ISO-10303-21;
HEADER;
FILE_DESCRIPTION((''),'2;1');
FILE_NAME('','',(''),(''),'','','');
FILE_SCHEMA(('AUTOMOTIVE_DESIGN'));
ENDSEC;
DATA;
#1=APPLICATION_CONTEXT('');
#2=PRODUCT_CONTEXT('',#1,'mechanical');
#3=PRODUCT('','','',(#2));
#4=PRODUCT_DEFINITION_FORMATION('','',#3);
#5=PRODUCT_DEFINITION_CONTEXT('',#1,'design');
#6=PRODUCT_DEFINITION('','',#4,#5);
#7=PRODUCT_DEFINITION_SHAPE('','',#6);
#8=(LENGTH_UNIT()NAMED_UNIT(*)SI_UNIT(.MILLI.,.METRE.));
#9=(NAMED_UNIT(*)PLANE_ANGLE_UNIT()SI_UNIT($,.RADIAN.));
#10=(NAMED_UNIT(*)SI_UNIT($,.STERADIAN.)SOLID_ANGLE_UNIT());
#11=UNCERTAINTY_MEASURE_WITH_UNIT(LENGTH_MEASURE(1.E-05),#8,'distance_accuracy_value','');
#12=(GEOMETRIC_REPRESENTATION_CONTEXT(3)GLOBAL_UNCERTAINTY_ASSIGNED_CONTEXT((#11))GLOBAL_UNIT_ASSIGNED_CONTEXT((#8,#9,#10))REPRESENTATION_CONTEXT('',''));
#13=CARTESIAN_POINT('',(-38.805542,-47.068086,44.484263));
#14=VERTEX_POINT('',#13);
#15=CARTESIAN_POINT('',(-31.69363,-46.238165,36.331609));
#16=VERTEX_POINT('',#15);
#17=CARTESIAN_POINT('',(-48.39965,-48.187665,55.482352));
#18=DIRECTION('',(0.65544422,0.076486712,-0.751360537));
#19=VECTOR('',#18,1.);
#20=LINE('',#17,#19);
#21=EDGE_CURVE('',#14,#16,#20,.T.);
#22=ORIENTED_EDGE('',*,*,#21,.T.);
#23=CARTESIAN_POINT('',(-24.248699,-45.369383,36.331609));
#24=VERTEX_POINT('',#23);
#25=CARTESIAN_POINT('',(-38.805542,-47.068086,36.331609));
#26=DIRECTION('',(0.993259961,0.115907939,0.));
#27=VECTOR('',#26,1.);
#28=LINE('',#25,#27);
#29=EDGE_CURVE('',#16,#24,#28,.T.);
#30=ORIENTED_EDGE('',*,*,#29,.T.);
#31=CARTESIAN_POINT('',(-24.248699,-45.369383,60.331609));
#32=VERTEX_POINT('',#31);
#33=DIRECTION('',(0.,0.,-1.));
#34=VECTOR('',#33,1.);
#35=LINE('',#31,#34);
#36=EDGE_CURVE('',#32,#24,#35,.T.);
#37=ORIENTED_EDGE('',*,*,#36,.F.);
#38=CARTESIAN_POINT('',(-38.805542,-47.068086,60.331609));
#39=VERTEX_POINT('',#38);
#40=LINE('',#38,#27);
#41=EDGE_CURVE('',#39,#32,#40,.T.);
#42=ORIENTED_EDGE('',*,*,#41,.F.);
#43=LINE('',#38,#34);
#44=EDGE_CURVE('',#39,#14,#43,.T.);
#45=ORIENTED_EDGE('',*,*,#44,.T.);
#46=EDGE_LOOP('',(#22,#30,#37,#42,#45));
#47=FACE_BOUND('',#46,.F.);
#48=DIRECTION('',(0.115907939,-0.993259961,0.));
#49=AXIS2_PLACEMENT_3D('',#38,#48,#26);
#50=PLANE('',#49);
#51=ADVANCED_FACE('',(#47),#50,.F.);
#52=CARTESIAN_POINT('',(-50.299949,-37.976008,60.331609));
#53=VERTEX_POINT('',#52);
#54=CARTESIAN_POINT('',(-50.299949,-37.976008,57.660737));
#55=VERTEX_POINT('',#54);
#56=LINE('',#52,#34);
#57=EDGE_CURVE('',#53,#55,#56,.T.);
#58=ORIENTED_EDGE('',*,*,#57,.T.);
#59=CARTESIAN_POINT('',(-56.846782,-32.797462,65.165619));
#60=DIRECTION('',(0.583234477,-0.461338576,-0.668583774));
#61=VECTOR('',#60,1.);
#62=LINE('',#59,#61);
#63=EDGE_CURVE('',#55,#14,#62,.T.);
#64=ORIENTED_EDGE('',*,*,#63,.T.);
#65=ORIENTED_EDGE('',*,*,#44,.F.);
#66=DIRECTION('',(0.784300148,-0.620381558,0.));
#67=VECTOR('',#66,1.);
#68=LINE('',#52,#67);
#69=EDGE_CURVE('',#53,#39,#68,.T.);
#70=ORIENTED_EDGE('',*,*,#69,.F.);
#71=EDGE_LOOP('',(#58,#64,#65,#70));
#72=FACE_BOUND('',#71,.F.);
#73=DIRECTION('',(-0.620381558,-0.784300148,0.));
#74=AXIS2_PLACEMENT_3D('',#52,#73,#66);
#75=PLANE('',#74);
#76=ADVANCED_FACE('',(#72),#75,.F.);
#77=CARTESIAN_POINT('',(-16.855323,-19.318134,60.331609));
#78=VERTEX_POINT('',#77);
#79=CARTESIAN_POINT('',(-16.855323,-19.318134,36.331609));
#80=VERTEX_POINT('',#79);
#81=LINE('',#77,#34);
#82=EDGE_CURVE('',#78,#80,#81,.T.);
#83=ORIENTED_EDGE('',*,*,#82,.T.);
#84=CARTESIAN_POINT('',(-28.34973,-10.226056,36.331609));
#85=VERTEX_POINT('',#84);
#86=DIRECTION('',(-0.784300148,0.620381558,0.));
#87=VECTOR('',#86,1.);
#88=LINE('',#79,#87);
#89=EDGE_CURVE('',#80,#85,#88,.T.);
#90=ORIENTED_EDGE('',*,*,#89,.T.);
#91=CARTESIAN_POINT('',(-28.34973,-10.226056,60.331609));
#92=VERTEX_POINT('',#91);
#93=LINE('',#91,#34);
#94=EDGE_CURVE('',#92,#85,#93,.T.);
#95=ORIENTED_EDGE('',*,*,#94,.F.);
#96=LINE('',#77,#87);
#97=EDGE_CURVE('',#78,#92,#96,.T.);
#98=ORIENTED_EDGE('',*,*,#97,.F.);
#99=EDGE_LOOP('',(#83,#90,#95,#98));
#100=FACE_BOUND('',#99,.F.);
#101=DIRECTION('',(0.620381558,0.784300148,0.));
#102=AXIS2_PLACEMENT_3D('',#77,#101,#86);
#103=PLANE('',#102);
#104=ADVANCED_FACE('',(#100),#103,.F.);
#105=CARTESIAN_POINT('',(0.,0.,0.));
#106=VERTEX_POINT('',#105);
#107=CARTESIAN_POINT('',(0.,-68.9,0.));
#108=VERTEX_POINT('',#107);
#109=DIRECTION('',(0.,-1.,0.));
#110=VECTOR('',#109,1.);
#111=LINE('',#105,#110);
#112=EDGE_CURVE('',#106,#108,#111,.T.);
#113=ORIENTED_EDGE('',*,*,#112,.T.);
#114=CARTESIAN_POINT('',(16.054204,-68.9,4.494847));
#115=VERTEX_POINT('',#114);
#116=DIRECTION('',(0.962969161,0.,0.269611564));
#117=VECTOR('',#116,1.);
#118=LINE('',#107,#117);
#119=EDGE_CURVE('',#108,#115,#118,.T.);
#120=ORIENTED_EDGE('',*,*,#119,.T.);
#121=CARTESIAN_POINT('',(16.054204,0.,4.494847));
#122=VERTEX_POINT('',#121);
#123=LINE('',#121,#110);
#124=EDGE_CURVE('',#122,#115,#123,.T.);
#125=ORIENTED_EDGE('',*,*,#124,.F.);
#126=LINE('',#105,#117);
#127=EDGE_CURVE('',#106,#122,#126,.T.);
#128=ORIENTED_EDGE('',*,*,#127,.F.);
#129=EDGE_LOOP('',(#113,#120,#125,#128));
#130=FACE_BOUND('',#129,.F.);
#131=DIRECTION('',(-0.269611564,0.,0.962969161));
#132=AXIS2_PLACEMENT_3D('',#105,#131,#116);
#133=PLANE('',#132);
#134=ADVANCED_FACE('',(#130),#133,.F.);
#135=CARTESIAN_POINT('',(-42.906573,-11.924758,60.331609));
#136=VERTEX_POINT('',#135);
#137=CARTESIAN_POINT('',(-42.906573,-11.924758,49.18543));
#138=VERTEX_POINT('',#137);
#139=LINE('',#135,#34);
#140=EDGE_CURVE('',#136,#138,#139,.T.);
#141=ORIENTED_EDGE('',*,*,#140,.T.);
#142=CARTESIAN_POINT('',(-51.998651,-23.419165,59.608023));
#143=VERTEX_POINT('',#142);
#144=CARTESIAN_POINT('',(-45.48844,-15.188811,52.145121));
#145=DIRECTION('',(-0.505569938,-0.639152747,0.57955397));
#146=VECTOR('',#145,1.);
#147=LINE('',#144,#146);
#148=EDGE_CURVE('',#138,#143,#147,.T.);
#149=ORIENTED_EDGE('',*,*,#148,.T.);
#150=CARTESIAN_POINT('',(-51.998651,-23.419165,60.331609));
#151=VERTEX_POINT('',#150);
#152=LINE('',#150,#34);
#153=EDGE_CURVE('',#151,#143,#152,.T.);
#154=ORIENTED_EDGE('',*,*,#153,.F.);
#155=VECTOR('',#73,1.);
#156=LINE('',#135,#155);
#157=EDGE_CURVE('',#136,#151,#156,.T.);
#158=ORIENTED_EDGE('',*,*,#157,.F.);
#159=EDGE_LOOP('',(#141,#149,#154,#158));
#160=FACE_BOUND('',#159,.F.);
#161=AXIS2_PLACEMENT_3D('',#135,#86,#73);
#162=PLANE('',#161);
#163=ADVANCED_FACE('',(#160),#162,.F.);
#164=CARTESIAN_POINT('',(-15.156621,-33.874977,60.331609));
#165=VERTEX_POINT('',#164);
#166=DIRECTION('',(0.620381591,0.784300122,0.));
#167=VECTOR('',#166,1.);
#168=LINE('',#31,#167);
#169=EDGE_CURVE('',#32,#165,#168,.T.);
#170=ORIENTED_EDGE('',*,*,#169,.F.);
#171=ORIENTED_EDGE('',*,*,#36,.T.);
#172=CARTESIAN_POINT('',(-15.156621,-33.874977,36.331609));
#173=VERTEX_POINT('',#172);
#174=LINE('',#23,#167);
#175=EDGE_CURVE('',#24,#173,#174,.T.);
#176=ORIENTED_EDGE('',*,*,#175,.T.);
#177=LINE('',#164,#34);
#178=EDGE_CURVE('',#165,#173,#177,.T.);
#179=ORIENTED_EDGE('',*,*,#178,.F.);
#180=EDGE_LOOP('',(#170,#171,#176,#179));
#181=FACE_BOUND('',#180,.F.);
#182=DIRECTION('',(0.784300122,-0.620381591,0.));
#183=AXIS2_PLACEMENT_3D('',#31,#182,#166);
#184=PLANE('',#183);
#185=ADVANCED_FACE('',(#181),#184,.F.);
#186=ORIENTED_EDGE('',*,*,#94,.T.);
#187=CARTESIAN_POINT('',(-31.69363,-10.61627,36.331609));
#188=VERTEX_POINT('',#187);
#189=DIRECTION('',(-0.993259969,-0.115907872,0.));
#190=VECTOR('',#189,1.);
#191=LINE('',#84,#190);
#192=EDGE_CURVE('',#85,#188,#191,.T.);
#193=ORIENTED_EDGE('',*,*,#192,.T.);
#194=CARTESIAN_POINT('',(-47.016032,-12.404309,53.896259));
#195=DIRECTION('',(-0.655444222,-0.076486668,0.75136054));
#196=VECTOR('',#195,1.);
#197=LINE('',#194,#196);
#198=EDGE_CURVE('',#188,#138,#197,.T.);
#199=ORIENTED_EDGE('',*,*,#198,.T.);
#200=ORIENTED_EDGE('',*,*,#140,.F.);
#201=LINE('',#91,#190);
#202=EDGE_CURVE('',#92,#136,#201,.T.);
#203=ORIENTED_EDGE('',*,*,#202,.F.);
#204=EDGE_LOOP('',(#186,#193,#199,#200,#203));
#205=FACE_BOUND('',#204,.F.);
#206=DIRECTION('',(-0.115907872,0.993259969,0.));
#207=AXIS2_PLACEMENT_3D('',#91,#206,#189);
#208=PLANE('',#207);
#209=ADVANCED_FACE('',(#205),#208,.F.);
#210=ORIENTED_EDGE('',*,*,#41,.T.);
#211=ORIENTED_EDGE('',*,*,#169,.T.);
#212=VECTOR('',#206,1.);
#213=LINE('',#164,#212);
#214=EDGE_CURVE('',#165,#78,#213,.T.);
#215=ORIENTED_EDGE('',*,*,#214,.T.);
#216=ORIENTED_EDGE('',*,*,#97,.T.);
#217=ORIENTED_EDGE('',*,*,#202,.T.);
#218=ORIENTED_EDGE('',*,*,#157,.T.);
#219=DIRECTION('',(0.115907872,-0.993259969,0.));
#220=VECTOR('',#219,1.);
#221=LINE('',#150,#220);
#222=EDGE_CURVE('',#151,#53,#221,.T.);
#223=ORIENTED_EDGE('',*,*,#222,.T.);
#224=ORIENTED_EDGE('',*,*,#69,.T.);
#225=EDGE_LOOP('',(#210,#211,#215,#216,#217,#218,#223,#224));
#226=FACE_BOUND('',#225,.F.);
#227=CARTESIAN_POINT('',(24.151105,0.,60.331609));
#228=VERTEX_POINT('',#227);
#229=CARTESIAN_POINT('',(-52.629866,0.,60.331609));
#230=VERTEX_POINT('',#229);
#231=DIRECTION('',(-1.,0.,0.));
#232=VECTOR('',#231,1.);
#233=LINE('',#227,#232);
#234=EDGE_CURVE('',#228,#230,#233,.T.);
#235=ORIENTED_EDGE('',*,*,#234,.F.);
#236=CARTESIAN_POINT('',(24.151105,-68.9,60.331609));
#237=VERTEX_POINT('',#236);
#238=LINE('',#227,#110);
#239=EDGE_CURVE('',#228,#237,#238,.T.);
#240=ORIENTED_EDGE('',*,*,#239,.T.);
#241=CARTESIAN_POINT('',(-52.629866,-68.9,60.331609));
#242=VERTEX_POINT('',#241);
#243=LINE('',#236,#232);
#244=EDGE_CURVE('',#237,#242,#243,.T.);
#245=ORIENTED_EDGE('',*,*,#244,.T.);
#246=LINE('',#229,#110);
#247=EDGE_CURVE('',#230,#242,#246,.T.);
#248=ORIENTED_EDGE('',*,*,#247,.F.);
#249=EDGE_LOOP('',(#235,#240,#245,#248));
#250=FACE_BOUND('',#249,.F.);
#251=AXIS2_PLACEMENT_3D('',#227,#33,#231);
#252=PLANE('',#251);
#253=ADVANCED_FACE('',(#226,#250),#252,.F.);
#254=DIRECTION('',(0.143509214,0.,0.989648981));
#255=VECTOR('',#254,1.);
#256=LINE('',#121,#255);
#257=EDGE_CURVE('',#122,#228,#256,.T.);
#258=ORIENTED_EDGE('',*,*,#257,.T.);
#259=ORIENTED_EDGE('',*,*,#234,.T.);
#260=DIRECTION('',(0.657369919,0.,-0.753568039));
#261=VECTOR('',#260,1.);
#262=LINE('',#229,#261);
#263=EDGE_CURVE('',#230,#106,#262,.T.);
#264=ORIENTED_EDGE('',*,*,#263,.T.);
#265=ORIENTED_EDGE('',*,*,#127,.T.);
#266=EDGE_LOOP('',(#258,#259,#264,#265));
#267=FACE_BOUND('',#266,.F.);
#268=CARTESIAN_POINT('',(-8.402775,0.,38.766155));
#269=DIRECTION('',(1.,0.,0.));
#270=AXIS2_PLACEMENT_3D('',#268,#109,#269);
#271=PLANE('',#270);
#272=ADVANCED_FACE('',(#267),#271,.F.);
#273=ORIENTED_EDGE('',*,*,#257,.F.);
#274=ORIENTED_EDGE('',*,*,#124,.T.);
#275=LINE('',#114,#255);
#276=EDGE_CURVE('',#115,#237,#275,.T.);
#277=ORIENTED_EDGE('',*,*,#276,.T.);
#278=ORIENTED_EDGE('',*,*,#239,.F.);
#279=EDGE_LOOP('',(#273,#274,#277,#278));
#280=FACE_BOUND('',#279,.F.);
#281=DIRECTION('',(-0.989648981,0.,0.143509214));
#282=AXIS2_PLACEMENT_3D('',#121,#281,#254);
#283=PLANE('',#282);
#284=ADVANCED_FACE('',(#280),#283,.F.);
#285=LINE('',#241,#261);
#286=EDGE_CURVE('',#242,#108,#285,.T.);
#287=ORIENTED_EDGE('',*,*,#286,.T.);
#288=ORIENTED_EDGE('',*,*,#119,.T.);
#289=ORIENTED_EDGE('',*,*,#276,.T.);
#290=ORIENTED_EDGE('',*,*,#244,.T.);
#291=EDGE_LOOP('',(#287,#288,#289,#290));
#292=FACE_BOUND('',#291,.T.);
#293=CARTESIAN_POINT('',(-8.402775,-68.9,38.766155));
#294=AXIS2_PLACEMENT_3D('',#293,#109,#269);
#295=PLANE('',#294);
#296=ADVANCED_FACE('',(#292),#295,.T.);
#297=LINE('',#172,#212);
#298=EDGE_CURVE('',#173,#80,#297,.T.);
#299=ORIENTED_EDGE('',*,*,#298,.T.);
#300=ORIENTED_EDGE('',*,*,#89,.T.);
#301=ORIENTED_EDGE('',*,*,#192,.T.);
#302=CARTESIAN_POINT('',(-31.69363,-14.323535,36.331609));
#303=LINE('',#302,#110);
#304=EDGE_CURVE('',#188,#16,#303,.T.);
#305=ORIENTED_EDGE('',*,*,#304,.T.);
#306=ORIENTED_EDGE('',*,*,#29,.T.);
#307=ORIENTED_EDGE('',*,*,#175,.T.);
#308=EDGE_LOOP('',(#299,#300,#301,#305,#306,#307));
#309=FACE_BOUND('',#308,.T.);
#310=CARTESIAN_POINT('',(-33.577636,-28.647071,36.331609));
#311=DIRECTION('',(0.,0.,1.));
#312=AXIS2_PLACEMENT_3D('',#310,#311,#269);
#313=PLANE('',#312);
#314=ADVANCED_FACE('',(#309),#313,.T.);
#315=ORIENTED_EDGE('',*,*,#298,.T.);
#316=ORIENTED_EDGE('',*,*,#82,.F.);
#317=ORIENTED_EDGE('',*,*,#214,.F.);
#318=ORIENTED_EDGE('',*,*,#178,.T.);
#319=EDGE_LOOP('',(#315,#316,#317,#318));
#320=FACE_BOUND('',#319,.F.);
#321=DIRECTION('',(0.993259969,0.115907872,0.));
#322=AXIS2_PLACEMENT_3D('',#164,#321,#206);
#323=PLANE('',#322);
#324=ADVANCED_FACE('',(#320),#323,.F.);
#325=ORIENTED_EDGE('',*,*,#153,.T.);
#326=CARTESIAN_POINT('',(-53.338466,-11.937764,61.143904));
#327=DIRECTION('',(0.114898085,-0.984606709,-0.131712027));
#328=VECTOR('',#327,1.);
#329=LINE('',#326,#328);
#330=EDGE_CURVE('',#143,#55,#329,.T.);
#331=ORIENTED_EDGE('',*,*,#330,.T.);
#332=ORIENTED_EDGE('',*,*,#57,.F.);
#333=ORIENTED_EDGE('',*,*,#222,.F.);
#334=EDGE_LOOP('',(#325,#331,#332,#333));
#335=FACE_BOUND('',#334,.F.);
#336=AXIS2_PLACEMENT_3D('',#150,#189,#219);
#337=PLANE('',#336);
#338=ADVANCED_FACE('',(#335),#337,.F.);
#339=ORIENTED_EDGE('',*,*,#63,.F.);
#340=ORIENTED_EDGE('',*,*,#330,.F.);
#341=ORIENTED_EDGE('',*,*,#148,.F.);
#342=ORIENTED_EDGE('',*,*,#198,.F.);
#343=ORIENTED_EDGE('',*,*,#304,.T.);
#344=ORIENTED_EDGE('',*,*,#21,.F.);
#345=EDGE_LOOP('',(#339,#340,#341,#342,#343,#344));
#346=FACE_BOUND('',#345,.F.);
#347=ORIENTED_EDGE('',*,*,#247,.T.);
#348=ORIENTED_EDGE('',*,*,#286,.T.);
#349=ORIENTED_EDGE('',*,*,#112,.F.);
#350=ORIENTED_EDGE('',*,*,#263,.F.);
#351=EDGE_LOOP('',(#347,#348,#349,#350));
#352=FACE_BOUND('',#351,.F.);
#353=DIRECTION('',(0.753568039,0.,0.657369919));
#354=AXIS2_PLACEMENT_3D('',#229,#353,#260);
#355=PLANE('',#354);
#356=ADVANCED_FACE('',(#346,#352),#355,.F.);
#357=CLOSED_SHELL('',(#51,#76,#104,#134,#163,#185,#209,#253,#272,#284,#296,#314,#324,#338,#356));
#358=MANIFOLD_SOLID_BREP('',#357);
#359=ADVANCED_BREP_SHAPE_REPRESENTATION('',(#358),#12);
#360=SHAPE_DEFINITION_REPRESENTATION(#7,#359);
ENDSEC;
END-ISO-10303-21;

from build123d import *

# Parameters (mm, degrees)
F1_DEPTH = 68.9
F3_DEPTH = 24


with BuildPart() as f1:
    # F0 (on Front) → F1 (new body)
    with BuildSketch(Plane.XZ):
        Polygon((24.151105, 60.331609), (-52.629866, 60.331609), (0, 0), (16.054204, 4.494847), align=None)
    extrude(amount=F1_DEPTH)

    # F2 (on face) → F3 (cut)
    with BuildSketch(Plane.XY.offset(60.331609)):
        Polygon((-24.248699, -45.369383), (-15.156621, -33.874977), (-16.855323, -19.318134), (-28.34973, -10.226056), (-42.906573, -11.924758), (-51.998651, -23.419165), (-50.299949, -37.976008), (-38.805542, -47.068086), align=None)
    extrude(amount=-F3_DEPTH, mode=Mode.SUBTRACT)


solid = f1.part
